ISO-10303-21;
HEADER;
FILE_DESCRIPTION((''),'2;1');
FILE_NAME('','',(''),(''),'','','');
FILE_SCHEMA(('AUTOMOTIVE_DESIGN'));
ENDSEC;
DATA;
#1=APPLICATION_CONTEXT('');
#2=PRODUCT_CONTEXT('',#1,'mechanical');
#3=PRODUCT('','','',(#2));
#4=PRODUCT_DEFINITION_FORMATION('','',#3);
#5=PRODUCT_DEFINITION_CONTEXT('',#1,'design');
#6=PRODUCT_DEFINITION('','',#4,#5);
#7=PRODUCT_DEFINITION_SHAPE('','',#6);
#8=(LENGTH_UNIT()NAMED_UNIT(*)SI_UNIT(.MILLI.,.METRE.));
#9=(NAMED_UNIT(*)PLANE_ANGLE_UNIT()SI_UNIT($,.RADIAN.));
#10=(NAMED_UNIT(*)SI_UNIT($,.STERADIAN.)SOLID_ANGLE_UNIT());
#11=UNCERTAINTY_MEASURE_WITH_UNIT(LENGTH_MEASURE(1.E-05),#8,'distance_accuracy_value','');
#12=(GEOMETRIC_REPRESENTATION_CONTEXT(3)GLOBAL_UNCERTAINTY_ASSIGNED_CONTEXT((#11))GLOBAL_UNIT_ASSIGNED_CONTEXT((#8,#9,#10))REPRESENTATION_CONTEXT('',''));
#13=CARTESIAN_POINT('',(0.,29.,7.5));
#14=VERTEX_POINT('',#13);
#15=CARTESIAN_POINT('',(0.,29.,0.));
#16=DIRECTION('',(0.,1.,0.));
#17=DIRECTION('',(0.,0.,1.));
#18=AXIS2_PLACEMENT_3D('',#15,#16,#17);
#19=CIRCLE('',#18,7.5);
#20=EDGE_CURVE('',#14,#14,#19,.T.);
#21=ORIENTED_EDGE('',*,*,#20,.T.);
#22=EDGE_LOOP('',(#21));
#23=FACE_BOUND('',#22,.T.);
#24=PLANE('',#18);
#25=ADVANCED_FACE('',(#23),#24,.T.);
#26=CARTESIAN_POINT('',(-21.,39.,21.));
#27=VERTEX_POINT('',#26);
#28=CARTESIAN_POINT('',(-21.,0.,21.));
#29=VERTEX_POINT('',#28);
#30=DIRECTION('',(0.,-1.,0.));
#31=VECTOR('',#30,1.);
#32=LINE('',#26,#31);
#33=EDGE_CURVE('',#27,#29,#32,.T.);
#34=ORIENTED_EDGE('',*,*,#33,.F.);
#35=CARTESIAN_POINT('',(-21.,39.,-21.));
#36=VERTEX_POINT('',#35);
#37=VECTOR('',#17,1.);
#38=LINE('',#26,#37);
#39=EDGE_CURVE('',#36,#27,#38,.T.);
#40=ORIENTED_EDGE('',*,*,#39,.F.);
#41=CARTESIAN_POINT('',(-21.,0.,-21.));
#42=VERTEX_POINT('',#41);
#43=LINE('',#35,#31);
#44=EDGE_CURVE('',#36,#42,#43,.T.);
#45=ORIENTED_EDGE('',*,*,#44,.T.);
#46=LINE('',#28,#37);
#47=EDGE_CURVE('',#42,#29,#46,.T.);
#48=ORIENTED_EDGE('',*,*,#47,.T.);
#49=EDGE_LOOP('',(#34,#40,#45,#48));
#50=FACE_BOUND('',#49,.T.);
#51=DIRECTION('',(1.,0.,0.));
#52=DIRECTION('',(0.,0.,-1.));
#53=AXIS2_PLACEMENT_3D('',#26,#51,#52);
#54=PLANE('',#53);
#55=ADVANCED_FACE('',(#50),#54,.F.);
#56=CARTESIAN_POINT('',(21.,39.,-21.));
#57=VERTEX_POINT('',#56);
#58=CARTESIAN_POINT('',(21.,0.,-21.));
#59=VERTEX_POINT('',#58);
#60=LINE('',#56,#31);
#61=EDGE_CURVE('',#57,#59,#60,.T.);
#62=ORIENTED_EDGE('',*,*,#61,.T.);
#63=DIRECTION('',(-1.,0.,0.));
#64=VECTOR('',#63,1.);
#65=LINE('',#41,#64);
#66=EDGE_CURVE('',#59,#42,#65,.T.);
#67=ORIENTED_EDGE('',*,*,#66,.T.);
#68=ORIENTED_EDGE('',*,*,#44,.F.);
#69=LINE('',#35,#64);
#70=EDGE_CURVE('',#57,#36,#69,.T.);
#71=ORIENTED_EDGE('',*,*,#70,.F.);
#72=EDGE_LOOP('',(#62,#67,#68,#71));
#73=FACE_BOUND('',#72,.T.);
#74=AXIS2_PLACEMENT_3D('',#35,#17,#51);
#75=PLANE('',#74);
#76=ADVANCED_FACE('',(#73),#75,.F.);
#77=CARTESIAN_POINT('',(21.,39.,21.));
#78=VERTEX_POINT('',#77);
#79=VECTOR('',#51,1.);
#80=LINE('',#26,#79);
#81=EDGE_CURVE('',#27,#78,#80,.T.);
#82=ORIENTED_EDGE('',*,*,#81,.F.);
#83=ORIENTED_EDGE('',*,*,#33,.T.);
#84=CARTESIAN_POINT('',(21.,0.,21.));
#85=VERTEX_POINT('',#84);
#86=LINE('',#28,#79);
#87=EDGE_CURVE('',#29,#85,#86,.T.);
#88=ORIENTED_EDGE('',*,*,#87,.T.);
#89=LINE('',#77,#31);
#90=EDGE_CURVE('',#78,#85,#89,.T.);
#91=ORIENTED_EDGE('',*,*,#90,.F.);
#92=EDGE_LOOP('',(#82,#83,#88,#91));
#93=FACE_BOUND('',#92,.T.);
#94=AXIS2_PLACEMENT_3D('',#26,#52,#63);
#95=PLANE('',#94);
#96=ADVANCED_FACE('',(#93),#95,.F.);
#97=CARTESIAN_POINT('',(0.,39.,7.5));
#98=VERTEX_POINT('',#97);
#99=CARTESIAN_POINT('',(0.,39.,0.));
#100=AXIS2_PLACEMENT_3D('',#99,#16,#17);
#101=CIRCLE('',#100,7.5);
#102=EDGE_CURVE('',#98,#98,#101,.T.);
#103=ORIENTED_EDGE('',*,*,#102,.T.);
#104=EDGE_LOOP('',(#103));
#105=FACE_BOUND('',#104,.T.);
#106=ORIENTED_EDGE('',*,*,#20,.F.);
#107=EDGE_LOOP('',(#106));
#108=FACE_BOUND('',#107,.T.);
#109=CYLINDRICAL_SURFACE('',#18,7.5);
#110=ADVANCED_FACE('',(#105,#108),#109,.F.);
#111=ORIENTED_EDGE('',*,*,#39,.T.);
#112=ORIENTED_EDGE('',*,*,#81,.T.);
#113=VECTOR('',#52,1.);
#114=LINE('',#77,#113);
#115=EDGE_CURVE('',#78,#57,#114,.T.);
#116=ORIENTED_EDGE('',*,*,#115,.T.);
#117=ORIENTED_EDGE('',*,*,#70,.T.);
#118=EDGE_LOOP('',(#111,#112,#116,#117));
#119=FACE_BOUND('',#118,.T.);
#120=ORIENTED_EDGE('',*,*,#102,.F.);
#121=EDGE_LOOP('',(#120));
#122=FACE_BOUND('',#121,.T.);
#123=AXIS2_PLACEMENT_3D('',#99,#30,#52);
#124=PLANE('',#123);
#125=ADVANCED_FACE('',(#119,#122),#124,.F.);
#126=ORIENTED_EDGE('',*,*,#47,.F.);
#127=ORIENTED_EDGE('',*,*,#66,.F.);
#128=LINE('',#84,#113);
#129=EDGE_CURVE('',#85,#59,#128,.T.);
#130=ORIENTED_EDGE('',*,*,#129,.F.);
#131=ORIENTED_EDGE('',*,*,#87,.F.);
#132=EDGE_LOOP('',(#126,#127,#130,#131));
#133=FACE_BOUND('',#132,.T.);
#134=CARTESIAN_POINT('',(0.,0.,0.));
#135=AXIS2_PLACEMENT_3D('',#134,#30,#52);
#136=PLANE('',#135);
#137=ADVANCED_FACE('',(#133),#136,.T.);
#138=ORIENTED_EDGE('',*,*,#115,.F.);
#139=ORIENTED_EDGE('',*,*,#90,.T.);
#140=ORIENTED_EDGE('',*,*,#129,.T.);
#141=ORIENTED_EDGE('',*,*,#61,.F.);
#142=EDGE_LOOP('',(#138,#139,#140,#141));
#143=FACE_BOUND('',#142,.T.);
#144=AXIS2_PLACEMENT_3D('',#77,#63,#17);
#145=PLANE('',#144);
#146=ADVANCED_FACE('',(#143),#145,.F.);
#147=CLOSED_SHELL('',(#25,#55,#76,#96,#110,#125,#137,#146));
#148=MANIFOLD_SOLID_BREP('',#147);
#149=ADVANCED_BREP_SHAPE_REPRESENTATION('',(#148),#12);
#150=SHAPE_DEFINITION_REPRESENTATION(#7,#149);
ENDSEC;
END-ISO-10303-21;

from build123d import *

# Parameters (mm, degrees)
ESQUISSE1_W             = 42
ESQUISSE1_H             = 42
BOSS_EXTRU_1_DEPTH      = 39
ESQUISSE3_R             = 7.5
ENL_V_MAT_EXTRU_2_DEPTH = 10


with BuildPart() as part:
    # Esquisse1 → Boss.-Extru.1 (new body)
    with BuildSketch(Plane(origin=(0, 0, 0), x_dir=(1, 0, 0), z_dir=(0, 1, 0))):
        Rectangle(ESQUISSE1_W, ESQUISSE1_H)
    extrude(amount=BOSS_EXTRU_1_DEPTH)

    # Esquisse3 → Enlèv. mat.-Extru.2 (cut)
    with BuildSketch(Plane(origin=(0, 39, 0), x_dir=(1, 0, 0), z_dir=(0, 1, 0))):
        with Locations(Location((0, 0, 0), (0, 0, 270))):
            Circle(ESQUISSE3_R)
    extrude(amount=-ENL_V_MAT_EXTRU_2_DEPTH, mode=Mode.SUBTRACT)


solid = part.part
